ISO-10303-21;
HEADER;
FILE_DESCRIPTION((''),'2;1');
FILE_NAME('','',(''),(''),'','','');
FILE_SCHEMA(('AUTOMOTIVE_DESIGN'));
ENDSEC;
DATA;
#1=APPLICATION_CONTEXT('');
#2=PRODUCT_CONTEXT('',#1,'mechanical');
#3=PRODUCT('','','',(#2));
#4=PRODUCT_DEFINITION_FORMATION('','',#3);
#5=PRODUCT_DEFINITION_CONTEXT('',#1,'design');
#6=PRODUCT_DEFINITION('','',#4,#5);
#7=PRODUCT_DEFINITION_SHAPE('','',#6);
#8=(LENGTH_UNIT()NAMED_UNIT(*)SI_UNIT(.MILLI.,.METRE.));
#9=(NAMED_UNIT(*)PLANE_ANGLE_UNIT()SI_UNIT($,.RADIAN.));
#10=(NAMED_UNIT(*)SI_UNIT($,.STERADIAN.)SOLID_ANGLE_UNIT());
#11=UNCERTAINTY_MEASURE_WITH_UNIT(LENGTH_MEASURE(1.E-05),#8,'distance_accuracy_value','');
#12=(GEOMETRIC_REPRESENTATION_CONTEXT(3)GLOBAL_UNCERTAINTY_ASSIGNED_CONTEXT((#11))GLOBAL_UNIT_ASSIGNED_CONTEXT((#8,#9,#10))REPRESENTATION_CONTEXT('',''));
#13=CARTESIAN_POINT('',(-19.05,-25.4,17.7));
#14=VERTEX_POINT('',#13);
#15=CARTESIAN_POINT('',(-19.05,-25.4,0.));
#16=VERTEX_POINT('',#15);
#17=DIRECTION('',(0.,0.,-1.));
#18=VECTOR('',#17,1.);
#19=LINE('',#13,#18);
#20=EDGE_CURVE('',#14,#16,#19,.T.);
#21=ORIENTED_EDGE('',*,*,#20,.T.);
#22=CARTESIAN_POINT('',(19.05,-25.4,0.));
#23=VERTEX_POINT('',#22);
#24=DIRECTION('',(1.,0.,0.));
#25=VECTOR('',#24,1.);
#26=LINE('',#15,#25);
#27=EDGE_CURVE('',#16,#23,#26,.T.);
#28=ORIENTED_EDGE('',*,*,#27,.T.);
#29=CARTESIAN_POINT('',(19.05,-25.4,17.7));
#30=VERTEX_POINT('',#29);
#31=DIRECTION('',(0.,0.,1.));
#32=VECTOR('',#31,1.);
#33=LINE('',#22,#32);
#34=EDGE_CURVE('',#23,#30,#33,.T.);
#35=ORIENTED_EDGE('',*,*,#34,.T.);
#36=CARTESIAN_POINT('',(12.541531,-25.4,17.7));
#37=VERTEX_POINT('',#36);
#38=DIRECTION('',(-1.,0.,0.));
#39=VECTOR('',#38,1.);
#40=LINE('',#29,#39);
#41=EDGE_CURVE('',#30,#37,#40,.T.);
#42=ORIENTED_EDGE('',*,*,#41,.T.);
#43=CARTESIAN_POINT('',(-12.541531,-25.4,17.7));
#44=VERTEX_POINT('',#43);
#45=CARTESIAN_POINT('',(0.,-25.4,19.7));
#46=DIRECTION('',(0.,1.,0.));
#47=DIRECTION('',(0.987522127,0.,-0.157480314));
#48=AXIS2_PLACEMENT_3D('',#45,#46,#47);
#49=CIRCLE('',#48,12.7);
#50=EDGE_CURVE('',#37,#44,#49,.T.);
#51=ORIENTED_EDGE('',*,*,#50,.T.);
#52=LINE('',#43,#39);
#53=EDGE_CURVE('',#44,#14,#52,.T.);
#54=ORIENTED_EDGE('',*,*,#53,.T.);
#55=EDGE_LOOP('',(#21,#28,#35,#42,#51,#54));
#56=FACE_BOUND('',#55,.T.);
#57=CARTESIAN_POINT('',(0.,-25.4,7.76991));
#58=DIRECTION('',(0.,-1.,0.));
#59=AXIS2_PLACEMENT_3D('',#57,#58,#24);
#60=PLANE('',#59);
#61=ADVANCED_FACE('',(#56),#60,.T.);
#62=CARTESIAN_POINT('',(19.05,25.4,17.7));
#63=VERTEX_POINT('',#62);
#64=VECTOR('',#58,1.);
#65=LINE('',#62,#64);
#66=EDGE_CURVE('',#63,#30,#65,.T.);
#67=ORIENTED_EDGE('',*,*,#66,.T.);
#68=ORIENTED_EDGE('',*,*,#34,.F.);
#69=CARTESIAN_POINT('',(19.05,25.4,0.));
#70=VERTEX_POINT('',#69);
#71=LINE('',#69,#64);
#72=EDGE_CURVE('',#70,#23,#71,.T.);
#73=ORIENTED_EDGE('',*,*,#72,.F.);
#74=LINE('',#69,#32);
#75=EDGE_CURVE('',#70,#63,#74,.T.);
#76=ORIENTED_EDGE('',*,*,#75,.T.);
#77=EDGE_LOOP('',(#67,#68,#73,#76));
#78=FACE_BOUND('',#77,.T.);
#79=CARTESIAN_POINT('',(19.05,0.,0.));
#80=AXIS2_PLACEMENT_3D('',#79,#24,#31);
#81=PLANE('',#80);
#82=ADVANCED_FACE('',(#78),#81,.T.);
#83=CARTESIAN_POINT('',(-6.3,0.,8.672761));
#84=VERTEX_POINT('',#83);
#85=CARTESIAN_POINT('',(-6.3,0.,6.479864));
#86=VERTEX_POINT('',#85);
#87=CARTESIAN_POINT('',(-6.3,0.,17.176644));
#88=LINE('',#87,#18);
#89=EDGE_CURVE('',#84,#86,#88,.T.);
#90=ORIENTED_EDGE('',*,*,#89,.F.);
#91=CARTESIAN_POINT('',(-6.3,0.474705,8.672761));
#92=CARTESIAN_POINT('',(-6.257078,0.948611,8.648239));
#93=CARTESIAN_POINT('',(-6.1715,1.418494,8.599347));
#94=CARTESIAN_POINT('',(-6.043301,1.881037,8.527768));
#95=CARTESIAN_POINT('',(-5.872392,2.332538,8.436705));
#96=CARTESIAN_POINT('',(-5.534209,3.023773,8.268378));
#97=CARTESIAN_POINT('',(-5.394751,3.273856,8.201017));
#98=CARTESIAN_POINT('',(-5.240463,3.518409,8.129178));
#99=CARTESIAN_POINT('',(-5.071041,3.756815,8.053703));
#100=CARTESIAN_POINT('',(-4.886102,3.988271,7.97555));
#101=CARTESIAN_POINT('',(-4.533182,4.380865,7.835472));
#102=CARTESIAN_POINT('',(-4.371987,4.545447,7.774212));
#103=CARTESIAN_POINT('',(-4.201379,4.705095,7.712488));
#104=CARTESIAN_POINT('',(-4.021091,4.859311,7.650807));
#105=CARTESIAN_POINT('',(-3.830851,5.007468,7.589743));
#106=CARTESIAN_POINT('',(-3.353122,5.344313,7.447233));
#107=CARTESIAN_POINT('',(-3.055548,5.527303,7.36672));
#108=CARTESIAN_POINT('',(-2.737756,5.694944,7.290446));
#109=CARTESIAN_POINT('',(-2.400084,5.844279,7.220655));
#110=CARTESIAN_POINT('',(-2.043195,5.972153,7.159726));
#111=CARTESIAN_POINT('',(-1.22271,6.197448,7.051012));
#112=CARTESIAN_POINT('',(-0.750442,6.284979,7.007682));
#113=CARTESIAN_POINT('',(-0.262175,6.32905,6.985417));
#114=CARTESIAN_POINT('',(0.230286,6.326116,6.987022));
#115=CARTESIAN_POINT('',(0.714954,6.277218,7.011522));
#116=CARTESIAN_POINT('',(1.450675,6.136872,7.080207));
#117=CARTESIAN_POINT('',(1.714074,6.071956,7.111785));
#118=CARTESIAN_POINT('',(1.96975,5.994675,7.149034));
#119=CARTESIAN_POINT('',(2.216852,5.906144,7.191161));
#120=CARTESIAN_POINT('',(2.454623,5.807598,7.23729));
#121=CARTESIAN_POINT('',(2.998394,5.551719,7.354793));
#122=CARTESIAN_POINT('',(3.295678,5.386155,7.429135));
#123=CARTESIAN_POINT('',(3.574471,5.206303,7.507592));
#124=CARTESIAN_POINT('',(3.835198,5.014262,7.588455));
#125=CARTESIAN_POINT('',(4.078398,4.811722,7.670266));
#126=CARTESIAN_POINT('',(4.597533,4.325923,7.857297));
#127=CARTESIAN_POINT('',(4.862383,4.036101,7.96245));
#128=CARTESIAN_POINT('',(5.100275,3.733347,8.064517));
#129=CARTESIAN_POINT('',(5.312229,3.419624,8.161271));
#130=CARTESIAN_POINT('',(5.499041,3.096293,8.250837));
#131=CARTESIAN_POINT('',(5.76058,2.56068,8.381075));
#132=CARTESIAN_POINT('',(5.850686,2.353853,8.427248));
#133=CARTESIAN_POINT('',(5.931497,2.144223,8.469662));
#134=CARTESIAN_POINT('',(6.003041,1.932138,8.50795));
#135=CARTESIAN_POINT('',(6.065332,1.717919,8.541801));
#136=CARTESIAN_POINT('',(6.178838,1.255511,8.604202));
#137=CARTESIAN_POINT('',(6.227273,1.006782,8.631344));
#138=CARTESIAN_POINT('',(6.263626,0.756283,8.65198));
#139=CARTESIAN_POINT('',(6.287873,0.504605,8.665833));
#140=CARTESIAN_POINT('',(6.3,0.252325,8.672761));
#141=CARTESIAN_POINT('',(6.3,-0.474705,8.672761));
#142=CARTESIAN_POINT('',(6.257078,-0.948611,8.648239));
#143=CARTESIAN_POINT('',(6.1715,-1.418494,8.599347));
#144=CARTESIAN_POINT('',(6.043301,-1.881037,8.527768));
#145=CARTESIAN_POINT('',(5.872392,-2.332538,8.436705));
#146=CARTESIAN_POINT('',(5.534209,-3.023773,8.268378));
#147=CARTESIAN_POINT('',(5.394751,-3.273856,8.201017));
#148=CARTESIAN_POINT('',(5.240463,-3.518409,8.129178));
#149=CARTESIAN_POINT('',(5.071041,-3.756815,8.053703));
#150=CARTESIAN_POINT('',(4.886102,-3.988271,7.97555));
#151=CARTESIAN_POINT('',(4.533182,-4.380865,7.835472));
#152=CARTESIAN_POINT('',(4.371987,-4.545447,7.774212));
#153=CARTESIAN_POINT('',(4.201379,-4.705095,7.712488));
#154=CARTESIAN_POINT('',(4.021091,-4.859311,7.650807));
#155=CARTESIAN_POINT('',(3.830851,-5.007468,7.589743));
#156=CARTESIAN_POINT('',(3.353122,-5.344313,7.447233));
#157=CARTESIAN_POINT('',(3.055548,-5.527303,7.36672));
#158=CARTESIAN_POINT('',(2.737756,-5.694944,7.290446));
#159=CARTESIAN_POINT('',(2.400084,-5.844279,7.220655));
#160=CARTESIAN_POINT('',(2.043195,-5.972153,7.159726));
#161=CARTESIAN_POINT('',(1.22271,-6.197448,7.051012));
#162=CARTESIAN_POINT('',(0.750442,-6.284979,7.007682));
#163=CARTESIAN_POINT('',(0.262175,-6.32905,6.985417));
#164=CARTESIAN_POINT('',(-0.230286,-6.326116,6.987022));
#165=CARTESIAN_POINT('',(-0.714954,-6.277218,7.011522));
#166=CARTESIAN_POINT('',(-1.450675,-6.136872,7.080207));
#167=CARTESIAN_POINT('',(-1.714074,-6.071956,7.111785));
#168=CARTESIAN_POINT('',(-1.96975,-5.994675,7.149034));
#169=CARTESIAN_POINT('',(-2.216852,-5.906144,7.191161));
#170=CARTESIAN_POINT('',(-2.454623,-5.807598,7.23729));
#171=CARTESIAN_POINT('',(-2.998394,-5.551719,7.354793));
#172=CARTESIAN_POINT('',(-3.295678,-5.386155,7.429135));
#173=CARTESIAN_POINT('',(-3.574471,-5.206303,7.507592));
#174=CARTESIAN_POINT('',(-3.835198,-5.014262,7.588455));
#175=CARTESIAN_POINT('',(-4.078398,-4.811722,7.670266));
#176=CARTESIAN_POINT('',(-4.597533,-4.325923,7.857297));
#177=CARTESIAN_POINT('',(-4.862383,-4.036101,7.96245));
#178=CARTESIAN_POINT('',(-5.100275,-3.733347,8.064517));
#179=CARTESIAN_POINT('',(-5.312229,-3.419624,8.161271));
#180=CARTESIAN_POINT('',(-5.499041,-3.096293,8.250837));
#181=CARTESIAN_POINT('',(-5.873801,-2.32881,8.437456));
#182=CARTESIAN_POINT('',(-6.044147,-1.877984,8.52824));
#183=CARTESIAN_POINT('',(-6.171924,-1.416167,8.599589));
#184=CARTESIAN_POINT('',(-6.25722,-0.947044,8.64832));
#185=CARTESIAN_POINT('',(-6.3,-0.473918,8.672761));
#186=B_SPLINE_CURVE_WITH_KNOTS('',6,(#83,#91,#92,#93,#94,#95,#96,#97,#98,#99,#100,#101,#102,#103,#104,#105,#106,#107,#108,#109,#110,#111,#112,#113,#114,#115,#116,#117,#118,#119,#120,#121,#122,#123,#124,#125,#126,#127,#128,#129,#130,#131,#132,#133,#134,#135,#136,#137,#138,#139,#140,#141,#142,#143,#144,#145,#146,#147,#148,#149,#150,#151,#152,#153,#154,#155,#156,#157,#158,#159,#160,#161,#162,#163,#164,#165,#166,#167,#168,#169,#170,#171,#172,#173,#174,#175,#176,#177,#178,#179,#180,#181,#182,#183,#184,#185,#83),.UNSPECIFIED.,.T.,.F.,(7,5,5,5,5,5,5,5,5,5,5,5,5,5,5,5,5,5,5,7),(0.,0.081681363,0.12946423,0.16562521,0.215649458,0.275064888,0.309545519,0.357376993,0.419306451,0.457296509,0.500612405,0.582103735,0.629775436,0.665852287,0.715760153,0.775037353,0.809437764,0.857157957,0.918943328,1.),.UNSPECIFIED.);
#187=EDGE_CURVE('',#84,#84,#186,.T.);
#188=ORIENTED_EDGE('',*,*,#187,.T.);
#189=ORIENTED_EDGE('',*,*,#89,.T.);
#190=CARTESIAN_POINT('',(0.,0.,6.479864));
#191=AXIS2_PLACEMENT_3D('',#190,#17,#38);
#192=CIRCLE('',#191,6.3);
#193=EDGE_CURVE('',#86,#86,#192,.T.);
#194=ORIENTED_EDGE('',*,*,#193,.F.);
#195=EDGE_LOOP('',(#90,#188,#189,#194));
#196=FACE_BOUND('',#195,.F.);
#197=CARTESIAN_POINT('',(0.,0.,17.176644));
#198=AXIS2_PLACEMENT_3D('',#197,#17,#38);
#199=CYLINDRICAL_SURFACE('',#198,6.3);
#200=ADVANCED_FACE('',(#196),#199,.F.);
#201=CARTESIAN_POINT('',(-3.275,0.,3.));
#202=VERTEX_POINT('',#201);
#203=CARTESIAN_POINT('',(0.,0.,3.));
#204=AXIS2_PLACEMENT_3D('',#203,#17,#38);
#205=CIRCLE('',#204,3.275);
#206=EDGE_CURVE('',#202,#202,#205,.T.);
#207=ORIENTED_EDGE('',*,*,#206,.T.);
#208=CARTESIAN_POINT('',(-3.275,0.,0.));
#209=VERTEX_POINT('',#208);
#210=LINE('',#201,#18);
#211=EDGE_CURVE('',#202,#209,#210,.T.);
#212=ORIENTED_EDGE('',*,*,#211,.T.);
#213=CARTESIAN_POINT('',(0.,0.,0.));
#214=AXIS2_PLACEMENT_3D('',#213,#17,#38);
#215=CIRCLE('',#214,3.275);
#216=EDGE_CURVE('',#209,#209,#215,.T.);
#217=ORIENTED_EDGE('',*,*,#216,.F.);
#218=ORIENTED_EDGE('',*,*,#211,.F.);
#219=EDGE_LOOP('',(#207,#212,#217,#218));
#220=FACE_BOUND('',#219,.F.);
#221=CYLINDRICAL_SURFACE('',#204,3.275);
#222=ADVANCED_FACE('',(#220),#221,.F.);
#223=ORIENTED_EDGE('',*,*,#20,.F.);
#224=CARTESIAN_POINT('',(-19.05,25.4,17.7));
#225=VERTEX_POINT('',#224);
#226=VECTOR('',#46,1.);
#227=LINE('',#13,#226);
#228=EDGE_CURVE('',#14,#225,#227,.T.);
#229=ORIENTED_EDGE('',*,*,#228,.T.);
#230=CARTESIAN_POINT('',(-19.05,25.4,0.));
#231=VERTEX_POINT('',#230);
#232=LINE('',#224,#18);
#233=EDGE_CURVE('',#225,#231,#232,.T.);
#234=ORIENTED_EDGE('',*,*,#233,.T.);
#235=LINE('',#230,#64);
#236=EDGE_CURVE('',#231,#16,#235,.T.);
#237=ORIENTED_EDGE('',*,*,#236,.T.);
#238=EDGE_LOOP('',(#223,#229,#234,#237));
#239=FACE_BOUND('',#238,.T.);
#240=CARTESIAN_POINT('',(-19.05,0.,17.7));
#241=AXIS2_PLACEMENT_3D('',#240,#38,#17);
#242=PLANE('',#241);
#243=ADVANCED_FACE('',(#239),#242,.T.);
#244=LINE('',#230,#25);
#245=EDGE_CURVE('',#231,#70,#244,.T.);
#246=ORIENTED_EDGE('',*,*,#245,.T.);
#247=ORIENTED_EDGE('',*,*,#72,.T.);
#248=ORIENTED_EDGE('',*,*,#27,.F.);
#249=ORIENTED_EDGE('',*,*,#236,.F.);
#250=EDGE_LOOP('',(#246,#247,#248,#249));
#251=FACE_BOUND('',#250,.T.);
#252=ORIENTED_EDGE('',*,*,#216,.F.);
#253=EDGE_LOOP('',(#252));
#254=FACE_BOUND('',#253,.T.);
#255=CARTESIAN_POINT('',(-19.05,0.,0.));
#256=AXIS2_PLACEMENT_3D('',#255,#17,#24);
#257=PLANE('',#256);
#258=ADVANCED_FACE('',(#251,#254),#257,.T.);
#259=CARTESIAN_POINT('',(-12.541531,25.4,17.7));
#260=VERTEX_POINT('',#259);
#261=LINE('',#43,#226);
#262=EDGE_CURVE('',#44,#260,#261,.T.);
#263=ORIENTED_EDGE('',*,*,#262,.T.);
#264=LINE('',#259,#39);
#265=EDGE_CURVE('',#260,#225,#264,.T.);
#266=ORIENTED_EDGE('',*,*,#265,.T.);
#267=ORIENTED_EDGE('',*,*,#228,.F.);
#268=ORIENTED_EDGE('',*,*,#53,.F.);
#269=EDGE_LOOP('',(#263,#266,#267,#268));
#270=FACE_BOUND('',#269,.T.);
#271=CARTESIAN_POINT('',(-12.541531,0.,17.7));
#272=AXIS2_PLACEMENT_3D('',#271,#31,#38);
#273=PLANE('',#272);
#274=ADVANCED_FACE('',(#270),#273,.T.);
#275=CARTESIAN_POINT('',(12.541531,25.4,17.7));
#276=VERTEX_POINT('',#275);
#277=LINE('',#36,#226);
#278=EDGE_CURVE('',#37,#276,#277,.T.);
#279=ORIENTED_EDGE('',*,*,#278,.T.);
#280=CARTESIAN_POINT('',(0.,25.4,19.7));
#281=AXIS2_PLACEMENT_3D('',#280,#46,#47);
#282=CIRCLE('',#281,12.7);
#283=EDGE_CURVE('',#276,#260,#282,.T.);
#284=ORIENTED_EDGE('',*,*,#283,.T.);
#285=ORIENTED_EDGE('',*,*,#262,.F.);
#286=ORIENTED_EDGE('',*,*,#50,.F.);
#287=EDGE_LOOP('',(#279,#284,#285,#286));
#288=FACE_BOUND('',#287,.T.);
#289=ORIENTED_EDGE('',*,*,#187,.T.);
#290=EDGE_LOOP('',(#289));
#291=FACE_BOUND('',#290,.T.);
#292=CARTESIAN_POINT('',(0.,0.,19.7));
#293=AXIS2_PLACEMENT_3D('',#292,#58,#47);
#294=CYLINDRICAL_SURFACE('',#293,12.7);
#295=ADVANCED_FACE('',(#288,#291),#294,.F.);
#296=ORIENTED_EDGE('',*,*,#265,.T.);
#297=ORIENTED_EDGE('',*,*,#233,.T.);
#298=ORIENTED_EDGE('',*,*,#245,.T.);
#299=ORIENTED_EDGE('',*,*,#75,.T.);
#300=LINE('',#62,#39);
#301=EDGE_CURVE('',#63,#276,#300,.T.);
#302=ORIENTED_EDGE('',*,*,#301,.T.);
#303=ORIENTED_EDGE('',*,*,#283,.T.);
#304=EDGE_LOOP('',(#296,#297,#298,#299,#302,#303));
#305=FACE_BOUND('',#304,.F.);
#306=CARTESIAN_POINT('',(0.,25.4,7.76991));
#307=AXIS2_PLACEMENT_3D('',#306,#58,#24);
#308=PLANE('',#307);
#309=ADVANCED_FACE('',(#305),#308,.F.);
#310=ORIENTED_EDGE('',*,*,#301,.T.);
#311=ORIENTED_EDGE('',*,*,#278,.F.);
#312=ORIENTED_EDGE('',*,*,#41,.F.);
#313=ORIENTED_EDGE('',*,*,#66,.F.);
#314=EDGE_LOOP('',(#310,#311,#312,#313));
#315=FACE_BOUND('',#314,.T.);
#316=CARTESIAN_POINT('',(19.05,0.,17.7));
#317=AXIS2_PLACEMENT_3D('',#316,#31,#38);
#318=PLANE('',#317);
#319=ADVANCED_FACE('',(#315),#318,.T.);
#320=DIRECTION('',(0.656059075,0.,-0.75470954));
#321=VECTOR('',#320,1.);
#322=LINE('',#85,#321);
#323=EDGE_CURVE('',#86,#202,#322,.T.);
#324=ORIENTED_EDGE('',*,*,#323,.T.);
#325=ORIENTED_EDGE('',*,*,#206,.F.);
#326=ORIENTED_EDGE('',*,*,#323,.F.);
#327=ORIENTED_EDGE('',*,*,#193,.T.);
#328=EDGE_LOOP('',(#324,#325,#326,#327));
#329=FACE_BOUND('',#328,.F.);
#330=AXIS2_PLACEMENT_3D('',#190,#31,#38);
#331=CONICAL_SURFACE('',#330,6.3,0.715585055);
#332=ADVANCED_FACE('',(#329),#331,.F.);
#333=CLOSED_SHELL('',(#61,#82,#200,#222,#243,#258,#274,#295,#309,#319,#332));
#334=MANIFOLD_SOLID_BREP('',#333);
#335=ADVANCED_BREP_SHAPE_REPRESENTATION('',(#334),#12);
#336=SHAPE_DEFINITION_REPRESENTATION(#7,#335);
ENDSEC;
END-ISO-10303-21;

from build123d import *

# Parameters (mm, degrees)
F2_DEPTH = 25.4


with BuildPart() as f2:
    # F0 (on Front) → F2 (new body, symmetric)
    with BuildSketch(Plane.XZ):
        with BuildLine():
            Line((-19.05, 17.7), (-19.05, 0))
            Line((-19.05, 0), (19.05, 0))
            Line((19.05, 0), (19.05, 17.7))
            Line((19.05, 17.7), (12.541531, 17.7))
            ThreePointArc((12.541531, 17.7), (0, 7), (-12.541531, 17.7))
            Line((-12.541531, 17.7), (-19.05, 17.7))
        make_face()
    extrude(amount=F2_DEPTH, both=True)

    # F1 (on Front) → F3 (revolve, cut)
    with BuildSketch(Plane.XZ):
        Polygon((0, 17.176644), (-6.3, 17.176644), (-6.3, 7), (-6.3, 6.479864), (-3.275, 3), (-3.275, 0), (0, 0), align=None)
    revolve(axis=Axis((0, 0, 8.588322), (0, 0, -1)), mode=Mode.SUBTRACT)


solid = f2.part
